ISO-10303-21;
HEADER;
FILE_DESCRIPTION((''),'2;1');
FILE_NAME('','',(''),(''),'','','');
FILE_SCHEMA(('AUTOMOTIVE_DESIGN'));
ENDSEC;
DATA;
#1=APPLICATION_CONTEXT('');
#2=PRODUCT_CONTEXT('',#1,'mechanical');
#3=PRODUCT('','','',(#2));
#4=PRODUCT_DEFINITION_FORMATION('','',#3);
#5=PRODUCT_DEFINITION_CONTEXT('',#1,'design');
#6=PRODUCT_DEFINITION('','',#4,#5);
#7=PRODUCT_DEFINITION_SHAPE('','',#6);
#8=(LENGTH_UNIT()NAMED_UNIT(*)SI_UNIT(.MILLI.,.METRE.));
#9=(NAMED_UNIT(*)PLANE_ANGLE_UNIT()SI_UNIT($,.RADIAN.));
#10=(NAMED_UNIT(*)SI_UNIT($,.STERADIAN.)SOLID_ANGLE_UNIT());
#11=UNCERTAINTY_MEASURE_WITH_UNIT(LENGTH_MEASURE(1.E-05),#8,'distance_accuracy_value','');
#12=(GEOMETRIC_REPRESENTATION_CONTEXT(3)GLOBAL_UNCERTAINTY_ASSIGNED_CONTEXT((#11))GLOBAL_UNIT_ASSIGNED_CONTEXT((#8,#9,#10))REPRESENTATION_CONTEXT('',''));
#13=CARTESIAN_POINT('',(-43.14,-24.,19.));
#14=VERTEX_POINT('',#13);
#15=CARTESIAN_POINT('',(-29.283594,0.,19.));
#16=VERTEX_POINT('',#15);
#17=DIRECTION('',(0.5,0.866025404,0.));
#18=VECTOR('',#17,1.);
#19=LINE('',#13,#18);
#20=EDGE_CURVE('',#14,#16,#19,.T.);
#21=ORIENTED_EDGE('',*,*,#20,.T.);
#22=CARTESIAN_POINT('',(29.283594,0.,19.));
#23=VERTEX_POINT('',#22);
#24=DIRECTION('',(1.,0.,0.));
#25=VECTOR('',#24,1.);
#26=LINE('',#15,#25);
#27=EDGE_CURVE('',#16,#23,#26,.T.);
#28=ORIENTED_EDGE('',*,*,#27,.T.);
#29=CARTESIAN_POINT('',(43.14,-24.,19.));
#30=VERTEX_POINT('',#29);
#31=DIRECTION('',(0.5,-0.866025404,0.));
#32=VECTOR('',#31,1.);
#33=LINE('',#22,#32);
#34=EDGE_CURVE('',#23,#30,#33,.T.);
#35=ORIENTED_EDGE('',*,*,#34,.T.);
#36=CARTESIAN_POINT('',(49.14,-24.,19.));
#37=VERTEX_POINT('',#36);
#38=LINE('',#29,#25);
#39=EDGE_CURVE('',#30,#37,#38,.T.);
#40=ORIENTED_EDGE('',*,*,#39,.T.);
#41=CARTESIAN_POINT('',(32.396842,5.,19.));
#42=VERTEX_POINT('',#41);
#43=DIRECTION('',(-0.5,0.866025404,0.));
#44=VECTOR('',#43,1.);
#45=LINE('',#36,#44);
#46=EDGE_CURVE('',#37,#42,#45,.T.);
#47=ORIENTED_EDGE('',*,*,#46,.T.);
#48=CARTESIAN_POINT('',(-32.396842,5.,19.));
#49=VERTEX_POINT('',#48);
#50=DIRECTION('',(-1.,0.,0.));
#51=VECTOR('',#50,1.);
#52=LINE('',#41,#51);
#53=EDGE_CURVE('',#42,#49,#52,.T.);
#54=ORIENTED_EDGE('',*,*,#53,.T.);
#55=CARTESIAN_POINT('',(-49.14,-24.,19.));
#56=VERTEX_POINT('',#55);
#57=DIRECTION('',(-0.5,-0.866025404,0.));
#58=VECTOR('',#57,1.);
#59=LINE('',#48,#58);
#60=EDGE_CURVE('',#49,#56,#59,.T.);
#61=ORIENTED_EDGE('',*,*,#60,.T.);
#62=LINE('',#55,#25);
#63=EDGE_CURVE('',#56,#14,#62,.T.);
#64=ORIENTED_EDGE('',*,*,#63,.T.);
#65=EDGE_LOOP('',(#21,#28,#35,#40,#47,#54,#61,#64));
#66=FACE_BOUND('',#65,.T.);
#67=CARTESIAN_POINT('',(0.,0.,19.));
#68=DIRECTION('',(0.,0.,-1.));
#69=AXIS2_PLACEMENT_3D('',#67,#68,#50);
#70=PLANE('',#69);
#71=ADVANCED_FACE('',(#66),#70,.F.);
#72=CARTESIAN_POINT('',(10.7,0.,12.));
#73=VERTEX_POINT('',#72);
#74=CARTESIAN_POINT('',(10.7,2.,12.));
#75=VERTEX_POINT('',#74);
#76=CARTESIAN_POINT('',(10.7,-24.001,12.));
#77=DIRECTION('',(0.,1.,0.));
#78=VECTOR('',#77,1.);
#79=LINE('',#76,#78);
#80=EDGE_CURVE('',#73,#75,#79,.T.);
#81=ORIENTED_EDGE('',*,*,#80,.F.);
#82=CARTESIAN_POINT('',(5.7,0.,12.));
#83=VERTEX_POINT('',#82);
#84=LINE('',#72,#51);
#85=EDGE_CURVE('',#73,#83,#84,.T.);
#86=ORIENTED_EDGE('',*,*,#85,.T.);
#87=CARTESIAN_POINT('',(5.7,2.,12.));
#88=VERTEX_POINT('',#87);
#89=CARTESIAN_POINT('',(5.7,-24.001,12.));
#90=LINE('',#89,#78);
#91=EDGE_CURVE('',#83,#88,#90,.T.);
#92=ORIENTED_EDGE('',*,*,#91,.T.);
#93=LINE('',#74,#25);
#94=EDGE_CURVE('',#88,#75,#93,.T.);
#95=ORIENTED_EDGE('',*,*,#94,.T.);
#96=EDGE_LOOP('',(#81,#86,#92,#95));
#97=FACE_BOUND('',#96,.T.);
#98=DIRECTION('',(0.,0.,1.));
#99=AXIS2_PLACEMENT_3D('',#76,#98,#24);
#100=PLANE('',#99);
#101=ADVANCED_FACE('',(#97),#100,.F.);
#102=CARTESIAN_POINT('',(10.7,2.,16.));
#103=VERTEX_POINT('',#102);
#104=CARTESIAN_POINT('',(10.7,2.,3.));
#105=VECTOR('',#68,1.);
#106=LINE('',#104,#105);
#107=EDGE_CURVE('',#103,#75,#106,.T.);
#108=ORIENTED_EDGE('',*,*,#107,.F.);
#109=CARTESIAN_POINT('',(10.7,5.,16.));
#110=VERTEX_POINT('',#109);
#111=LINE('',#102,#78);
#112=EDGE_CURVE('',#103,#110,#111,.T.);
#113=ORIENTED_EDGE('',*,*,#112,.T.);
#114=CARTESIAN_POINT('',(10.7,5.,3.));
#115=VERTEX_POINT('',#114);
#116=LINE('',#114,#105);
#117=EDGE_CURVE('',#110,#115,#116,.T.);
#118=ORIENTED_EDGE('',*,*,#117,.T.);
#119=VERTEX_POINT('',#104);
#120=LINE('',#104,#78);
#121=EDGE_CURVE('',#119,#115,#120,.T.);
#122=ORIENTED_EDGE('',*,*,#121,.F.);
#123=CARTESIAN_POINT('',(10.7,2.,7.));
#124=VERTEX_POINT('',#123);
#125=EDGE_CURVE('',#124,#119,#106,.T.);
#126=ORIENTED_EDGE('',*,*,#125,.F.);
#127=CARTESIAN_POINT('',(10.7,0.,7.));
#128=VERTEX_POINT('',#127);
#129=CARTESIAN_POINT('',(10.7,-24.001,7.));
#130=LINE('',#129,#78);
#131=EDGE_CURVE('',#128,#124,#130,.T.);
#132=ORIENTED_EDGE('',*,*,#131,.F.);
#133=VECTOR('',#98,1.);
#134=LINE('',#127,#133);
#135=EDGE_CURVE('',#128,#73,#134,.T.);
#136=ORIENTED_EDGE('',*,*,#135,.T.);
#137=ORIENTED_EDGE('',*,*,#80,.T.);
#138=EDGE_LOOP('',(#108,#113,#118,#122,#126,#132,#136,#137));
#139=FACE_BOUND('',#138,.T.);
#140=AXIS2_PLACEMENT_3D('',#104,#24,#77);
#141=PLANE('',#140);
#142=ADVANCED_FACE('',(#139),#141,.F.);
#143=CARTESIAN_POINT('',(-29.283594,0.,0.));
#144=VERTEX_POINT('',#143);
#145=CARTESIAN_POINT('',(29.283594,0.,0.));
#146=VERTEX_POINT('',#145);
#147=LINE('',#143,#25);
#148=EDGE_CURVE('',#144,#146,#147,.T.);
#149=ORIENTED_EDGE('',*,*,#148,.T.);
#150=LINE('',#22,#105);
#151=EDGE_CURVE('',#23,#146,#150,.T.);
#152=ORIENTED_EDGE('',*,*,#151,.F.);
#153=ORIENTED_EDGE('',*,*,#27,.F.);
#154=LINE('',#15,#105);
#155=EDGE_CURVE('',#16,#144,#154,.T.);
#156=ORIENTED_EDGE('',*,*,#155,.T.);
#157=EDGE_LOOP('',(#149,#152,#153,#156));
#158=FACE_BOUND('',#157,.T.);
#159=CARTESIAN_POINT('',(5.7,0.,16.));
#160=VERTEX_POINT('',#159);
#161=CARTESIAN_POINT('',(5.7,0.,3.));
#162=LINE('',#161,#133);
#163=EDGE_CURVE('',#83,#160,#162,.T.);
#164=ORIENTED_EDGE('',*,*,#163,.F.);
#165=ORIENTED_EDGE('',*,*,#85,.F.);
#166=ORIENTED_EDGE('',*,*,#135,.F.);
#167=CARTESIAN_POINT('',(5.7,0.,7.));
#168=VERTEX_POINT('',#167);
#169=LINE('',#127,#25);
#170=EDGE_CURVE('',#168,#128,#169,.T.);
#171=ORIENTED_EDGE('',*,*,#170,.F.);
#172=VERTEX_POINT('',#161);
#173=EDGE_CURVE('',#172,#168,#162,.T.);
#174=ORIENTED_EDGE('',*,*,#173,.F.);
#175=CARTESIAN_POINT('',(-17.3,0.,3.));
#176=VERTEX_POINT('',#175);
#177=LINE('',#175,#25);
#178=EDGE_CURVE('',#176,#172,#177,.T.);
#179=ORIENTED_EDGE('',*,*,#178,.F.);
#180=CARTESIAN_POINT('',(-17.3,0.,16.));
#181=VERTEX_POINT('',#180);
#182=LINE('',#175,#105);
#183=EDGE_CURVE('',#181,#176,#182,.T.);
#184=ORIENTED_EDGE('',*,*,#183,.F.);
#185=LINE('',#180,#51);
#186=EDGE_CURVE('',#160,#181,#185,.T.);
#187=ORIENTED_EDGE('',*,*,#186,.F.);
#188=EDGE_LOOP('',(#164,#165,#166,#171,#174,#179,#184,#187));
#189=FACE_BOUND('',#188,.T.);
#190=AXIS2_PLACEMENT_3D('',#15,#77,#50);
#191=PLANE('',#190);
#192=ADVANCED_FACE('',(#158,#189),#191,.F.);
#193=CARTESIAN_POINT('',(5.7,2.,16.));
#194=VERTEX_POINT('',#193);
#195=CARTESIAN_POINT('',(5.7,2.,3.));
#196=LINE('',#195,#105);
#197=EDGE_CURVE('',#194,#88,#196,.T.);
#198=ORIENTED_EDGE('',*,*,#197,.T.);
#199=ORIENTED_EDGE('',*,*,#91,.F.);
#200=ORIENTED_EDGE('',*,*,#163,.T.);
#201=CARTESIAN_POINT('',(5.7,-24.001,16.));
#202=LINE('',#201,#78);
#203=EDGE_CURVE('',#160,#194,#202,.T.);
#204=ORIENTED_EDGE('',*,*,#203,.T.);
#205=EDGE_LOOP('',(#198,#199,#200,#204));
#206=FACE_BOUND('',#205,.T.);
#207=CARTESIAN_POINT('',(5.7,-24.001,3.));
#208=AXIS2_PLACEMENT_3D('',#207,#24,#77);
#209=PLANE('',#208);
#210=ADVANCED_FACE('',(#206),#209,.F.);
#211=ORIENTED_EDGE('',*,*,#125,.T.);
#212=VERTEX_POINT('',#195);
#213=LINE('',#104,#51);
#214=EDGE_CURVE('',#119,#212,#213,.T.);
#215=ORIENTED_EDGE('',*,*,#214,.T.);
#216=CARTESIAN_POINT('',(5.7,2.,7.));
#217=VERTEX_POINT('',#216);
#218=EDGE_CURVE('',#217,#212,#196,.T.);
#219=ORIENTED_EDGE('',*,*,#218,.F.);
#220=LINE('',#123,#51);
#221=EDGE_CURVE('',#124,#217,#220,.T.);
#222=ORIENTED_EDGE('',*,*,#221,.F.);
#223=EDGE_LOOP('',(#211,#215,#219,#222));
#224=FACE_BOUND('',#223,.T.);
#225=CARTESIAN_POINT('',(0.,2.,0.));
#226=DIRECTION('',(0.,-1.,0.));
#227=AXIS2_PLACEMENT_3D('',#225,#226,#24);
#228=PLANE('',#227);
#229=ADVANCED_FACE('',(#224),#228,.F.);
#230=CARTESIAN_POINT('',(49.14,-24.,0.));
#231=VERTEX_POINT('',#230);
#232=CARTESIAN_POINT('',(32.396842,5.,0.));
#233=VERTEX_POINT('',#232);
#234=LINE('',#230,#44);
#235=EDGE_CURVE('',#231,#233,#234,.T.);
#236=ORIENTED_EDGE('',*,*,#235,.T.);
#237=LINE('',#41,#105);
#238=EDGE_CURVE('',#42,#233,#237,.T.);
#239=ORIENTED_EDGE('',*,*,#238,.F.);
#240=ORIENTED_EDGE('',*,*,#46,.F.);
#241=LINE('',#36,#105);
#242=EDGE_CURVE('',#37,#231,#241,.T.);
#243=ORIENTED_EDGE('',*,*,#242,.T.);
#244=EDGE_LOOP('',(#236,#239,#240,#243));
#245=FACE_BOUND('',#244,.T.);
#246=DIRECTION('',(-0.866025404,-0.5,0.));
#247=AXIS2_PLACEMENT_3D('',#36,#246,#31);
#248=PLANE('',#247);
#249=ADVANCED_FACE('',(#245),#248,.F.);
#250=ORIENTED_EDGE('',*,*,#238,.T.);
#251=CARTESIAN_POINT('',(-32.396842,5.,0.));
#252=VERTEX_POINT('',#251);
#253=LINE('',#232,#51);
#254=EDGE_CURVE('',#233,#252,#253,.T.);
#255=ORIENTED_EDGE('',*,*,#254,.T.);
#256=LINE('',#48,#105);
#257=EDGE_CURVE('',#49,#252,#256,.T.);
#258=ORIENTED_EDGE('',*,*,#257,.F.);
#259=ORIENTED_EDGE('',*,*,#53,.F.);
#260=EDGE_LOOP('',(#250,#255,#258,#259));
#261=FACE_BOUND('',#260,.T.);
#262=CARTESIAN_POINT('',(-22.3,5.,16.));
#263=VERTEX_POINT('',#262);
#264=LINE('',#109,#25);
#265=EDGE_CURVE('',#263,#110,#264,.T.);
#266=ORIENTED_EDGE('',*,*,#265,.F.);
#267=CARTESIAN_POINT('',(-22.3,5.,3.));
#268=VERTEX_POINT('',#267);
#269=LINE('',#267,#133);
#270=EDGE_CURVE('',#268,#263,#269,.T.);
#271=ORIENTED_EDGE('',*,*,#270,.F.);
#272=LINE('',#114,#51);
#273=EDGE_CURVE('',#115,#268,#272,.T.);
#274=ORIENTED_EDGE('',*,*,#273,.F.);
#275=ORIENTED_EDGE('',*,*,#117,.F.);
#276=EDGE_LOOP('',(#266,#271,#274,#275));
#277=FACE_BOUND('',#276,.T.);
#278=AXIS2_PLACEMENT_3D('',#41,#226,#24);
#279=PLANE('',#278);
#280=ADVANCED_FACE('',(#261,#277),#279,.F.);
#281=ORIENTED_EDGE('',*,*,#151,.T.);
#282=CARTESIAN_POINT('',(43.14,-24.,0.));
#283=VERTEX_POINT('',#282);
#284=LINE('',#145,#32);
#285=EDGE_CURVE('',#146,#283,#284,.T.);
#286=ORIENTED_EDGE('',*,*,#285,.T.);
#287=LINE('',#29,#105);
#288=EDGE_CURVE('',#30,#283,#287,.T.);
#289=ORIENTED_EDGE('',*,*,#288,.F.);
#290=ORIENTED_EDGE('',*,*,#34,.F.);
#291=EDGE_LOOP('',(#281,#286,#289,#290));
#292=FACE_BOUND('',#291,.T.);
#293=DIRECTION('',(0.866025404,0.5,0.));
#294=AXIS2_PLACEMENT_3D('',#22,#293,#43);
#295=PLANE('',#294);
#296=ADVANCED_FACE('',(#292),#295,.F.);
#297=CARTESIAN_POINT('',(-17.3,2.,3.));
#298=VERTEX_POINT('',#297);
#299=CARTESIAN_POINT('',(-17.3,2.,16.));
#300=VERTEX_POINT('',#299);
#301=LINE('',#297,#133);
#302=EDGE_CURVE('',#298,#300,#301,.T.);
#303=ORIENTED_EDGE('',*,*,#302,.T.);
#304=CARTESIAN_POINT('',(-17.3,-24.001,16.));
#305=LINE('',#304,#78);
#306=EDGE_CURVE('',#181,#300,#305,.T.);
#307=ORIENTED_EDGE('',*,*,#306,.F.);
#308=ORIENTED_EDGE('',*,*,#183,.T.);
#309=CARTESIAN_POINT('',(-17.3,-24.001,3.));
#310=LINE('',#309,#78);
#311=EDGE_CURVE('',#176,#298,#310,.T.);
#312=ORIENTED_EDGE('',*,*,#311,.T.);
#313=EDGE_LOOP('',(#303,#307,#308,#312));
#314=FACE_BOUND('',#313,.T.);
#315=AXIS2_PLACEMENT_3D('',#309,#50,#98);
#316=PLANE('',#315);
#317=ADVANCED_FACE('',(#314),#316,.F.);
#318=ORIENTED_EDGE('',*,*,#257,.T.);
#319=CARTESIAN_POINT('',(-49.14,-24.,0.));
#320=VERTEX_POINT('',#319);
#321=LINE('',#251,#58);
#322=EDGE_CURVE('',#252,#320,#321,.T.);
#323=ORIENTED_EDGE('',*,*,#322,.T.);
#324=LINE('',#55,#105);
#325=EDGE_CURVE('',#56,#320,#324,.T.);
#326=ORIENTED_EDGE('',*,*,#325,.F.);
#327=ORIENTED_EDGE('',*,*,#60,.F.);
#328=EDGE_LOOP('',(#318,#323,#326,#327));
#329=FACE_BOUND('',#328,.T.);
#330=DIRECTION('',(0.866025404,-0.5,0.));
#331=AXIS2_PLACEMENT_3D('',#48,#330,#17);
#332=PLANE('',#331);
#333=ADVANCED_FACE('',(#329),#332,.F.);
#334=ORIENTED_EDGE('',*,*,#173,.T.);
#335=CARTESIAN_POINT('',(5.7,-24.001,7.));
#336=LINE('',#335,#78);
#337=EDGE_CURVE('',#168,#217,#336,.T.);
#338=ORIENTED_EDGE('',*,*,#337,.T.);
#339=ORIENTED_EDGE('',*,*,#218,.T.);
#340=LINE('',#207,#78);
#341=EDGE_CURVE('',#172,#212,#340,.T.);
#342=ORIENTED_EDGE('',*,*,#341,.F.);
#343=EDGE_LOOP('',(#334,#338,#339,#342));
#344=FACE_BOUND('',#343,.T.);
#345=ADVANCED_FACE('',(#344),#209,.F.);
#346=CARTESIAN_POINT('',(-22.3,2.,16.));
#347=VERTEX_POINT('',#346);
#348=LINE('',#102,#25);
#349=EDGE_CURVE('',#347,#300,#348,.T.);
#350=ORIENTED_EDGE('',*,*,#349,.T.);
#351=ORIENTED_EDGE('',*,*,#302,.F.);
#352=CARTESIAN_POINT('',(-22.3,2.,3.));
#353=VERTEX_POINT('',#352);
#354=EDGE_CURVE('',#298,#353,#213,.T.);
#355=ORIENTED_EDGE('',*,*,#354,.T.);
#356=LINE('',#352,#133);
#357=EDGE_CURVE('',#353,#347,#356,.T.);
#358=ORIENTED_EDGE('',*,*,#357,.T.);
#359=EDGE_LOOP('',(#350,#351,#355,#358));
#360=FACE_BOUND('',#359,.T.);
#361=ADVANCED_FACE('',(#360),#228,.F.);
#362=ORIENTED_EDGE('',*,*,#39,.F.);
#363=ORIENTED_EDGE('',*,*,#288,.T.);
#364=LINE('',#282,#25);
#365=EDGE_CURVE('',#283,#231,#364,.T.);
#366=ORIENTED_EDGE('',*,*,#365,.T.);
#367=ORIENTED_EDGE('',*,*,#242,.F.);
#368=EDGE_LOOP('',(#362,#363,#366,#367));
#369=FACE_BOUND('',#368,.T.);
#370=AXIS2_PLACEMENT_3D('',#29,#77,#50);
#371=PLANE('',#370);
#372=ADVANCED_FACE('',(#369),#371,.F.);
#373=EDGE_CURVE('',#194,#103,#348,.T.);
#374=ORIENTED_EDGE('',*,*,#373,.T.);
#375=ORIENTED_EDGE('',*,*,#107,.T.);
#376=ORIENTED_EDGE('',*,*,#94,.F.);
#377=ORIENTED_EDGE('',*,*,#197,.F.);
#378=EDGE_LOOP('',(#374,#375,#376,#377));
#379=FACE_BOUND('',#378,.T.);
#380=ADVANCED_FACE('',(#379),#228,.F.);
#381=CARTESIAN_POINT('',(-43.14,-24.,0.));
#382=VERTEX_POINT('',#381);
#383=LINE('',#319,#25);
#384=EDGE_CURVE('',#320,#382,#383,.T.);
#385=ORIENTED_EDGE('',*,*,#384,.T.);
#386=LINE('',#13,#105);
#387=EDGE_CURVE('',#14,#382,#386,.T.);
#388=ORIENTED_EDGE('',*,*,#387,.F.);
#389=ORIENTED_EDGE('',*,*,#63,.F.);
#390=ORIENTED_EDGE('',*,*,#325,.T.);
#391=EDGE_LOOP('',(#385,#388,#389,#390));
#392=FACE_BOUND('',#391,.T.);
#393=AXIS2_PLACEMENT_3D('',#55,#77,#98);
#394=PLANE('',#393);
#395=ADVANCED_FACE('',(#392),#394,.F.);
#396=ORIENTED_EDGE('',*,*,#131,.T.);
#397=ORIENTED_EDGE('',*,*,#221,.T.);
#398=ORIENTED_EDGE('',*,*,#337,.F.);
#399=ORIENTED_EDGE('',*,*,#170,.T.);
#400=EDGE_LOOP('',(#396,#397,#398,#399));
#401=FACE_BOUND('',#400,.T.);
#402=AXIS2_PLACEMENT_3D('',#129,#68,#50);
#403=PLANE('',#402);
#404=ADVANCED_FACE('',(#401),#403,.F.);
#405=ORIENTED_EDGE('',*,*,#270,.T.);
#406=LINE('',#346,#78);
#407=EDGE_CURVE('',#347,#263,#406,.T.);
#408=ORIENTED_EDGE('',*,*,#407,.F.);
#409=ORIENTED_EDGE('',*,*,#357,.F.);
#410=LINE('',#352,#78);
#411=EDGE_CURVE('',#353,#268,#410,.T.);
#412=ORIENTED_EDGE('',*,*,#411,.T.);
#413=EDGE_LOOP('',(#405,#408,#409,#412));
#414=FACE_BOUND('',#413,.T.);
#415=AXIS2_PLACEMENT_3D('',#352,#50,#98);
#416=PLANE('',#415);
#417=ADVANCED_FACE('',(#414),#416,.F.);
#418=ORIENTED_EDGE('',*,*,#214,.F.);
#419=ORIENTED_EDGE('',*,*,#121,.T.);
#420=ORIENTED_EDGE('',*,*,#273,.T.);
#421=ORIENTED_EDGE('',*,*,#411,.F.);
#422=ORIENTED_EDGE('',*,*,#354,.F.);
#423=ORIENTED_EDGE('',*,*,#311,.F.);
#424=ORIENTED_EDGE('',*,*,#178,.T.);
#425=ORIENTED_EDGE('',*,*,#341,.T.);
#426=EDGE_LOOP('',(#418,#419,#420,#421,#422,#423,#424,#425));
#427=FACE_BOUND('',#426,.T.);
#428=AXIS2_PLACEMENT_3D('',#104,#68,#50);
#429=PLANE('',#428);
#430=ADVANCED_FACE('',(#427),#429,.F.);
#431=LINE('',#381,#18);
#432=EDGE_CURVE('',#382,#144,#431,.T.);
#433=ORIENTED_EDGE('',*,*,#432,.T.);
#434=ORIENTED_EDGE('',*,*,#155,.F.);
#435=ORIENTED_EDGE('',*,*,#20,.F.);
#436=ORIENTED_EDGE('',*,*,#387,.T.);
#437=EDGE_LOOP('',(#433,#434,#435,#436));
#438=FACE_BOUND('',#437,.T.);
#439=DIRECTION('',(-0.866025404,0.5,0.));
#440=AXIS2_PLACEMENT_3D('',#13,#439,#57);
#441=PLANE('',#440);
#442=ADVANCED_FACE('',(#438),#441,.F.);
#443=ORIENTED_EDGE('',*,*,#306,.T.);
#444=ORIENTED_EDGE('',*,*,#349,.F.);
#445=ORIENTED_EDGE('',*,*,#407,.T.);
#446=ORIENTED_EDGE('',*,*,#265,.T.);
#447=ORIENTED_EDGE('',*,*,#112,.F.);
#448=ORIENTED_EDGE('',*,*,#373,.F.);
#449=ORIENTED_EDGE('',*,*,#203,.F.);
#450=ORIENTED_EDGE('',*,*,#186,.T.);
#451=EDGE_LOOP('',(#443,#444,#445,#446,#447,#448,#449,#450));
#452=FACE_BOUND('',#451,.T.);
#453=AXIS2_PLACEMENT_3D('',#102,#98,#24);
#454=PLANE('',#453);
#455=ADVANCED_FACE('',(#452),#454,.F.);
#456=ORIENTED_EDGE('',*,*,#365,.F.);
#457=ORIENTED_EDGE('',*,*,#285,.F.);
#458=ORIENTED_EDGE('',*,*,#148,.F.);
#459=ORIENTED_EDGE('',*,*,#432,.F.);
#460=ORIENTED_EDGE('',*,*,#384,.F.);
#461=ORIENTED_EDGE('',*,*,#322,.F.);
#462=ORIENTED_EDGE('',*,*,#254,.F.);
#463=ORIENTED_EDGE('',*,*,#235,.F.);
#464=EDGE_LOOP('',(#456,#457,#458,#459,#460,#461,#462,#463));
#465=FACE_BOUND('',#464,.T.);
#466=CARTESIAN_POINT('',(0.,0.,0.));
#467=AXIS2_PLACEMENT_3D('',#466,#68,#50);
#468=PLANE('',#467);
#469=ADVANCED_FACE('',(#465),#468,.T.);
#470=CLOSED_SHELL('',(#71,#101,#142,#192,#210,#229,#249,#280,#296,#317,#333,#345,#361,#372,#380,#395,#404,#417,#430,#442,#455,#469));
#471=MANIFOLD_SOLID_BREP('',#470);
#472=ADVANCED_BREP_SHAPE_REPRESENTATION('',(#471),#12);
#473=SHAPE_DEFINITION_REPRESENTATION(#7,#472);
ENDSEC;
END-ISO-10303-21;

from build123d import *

# Parameters (mm, degrees)
BOSS_EXTRUDE1_DEPTH = 19
SKETCH2_W           = 33
SKETCH2_H           = 13
CUT_EXTRUDE1_DEPTH  = 3
CUT_EXTRUDE2_REACH  = 60.752
SKETCH3_W           = 23
SKETCH3_H           = 13
CUT_EXTRUDE3_REACH  = 60.752
SKETCH4_W           = 5
SKETCH4_H           = 5


with BuildPart() as part:
    # Sketch1 → Boss-Extrude1 (new body)
    with BuildSketch(Plane.XY):
        Polygon((-29.283593539, 0), (29.283593539, 0), (43.14, -24), (49.14, -24), (32.396842194, 5), (-32.396842194, 5), (-49.14, -24), (-43.14, -24), align=None)
    extrude(amount=BOSS_EXTRUDE1_DEPTH)

    # Sketch2 → Cut-Extrude1 (cut)
    with BuildSketch(Plane(origin=(0, 5, 0), x_dir=(1, 0, 0), z_dir=(0, 1, 0))):
        with Locations((-5.8, -9.5)):
            Rectangle(SKETCH2_W, SKETCH2_H)
    extrude(amount=-CUT_EXTRUDE1_DEPTH, mode=Mode.SUBTRACT)

    # Sketch3 → Cut-Extrude2 (cut, up to next)
    with BuildSketch(Plane(origin=(0, 2, 0), x_dir=(1, 0, 0), z_dir=(0, 1, 0)), mode=Mode.PRIVATE) as cut_extrude2_sk1:
        with Locations((-5.8, -9.5)):
            Rectangle(SKETCH3_W, SKETCH3_H)
    cut_extrude2_tool1 = extrude(cut_extrude2_sk1.sketch, amount=-CUT_EXTRUDE2_REACH, mode=Mode.PRIVATE) & part.part
    add(cut_extrude2_tool1.solids().sort_by_distance((-5.8, 2, 9.5))[0], mode=Mode.SUBTRACT)

    # Sketch4 → Cut-Extrude3 (cut, up to next)
    with BuildSketch(Plane(origin=(0, 2, 0), x_dir=(1, 0, 0), z_dir=(0, 1, 0)), mode=Mode.PRIVATE) as cut_extrude3_sk1:
        with Locations((8.2, -9.5)):
            Rectangle(SKETCH4_W, SKETCH4_H)
    cut_extrude3_tool1 = extrude(cut_extrude3_sk1.sketch, amount=-CUT_EXTRUDE3_REACH, mode=Mode.PRIVATE) & part.part
    add(cut_extrude3_tool1.solids().sort_by_distance((8.2, 2, 9.5))[0], mode=Mode.SUBTRACT)


solid = part.part
